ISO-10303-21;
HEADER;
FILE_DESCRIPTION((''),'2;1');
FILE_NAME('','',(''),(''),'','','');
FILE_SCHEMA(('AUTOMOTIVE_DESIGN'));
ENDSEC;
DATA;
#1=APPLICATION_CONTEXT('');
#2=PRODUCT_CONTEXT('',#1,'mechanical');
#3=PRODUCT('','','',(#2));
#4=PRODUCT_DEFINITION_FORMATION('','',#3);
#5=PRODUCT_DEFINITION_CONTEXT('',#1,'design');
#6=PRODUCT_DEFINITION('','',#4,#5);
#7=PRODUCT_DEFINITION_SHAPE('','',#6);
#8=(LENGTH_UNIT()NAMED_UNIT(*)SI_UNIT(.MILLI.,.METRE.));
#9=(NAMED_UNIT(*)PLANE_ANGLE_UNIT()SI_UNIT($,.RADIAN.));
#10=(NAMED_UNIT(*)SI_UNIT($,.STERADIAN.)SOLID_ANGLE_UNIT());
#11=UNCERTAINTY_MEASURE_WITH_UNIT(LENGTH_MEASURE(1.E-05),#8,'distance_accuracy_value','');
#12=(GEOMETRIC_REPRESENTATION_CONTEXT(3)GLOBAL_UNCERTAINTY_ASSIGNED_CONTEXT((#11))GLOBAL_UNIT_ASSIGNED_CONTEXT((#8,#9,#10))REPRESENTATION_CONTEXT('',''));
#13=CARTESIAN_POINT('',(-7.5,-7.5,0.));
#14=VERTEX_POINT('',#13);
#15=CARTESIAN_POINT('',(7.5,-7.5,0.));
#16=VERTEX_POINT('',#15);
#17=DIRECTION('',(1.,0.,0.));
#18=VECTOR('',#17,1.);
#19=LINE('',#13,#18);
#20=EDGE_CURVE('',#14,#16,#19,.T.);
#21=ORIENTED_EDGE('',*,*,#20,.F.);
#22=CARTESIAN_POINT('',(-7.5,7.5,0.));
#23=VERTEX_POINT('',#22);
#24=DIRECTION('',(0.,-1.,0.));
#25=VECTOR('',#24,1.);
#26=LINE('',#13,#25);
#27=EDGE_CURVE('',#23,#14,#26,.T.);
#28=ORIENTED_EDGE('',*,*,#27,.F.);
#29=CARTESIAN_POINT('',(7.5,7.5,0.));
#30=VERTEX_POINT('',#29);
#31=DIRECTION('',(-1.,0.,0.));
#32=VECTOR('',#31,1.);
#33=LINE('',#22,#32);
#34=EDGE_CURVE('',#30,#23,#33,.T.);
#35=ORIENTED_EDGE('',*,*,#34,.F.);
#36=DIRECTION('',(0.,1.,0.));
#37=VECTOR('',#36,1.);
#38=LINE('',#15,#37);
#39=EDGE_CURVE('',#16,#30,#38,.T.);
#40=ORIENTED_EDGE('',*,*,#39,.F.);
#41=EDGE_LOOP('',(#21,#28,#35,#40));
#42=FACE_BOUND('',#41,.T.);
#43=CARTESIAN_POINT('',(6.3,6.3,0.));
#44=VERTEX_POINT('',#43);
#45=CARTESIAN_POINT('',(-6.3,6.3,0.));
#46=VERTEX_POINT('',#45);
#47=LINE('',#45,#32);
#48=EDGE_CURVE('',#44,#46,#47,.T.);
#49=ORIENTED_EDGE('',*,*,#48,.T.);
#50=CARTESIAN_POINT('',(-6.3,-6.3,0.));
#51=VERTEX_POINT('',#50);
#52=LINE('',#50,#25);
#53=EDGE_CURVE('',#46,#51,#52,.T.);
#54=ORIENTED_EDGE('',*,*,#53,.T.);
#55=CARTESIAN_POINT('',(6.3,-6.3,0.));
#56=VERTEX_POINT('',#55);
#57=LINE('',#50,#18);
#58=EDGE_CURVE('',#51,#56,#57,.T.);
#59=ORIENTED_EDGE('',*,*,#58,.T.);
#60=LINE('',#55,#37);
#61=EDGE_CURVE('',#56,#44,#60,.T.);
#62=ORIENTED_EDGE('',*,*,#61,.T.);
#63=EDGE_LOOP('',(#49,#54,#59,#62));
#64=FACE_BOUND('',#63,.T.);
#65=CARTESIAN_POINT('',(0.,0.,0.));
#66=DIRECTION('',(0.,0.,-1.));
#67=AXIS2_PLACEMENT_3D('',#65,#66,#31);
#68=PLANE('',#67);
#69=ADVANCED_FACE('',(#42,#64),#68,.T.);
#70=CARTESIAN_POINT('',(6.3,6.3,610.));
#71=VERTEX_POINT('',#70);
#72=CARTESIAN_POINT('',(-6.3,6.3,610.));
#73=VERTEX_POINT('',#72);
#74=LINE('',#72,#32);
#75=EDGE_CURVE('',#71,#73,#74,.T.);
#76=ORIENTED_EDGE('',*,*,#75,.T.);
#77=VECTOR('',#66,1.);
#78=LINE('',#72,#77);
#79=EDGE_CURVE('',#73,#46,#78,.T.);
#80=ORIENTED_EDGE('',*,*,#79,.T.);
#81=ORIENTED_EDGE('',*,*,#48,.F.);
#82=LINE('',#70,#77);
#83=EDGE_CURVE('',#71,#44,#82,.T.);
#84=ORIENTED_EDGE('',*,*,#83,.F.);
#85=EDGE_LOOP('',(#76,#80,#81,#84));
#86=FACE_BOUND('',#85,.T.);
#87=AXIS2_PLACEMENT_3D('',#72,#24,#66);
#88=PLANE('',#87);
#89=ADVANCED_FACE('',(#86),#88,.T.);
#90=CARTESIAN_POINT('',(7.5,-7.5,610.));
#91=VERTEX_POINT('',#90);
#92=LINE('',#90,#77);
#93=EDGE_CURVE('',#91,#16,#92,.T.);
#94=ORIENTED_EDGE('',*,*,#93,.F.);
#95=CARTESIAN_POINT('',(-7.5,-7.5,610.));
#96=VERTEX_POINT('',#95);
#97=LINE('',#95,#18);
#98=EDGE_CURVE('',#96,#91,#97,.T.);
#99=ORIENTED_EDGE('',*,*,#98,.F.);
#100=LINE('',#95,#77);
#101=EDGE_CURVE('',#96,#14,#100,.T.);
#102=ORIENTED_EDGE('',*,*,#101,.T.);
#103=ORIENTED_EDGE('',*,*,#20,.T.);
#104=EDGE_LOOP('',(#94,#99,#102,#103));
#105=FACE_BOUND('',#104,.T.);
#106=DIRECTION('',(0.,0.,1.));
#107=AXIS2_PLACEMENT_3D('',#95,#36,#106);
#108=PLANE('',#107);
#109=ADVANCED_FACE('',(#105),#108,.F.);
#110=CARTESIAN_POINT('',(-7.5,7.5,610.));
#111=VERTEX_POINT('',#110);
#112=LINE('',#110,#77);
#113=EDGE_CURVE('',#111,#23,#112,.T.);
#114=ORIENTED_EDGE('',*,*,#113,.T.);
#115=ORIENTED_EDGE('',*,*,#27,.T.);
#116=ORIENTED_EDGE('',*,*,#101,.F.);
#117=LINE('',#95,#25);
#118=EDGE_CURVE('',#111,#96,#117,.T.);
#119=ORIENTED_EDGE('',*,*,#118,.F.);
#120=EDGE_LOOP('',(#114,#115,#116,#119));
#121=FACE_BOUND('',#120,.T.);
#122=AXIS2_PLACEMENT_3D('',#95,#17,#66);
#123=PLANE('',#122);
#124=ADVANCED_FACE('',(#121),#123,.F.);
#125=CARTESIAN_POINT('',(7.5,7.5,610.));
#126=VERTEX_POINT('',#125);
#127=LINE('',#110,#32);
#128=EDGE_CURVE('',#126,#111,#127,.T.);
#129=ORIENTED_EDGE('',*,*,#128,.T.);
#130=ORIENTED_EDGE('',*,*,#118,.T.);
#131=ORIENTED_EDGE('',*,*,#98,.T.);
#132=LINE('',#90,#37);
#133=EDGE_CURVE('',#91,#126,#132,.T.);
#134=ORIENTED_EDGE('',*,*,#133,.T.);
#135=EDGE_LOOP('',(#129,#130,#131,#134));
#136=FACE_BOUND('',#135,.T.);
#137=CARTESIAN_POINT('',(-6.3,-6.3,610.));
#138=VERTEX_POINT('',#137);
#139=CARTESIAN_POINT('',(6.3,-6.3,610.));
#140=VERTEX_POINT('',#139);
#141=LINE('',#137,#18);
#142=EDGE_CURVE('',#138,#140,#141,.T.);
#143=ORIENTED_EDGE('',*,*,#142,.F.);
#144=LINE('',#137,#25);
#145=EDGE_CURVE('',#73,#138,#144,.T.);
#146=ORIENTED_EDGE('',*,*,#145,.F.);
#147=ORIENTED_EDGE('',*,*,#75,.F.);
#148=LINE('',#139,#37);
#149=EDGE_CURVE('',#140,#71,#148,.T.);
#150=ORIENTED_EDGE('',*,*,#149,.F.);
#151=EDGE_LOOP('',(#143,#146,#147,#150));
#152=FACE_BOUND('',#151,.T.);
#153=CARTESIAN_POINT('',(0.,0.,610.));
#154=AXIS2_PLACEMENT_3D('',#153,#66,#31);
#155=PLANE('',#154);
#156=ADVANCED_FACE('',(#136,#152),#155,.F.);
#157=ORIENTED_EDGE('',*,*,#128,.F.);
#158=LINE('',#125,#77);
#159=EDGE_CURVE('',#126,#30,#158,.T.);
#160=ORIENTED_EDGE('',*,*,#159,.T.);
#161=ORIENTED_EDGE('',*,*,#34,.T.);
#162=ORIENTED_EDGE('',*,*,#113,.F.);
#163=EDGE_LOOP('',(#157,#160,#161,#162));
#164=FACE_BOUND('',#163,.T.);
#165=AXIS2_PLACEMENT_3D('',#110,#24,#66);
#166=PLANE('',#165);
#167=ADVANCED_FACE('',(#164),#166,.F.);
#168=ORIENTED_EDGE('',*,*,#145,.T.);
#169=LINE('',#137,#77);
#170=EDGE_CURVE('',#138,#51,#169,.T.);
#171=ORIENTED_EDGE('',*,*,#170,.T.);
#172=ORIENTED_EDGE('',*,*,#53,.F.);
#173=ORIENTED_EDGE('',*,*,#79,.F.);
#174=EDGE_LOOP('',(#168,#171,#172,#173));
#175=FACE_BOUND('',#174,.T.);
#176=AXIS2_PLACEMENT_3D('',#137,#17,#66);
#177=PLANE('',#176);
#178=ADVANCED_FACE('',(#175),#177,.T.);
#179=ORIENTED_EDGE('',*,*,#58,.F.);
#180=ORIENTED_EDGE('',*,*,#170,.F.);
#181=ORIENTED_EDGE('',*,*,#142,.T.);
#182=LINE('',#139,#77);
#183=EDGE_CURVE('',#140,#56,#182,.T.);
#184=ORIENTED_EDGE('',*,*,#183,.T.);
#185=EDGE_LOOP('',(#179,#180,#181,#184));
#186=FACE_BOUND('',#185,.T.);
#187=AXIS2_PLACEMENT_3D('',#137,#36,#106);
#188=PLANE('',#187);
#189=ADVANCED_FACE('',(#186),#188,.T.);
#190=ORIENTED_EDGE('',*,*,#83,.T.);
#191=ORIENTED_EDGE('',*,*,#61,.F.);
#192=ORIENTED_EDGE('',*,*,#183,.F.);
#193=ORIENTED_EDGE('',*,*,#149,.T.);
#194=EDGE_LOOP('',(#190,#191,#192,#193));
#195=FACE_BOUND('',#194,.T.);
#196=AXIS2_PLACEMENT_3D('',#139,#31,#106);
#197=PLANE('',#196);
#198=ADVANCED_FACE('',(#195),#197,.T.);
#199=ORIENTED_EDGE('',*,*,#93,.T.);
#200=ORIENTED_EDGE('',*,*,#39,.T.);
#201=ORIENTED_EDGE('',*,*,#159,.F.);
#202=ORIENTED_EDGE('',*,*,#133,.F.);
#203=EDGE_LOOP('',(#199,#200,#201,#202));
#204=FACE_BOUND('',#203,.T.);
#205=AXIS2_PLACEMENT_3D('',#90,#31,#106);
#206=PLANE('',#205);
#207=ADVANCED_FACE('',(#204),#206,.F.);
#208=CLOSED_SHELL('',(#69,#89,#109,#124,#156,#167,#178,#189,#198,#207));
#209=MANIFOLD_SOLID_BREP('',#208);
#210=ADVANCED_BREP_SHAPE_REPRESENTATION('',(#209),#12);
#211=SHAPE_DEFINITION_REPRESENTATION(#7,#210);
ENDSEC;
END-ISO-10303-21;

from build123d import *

# Parameters (mm, degrees)
SKETCH_1_W      = 15
SKETCH_1_H      = 15
SKETCH_1_W_2    = 12.6
SKETCH_1_H_2    = 12.6
EXTRUDE_1_DEPTH = 610


with BuildPart() as part:
    # 草图1 → 凸台-拉伸1 (new body)
    with BuildSketch(Plane.XY):
        Rectangle(SKETCH_1_W, SKETCH_1_H)
        Rectangle(SKETCH_1_W_2, SKETCH_1_H_2, mode=Mode.SUBTRACT)
    extrude(amount=EXTRUDE_1_DEPTH)


solid = part.part
